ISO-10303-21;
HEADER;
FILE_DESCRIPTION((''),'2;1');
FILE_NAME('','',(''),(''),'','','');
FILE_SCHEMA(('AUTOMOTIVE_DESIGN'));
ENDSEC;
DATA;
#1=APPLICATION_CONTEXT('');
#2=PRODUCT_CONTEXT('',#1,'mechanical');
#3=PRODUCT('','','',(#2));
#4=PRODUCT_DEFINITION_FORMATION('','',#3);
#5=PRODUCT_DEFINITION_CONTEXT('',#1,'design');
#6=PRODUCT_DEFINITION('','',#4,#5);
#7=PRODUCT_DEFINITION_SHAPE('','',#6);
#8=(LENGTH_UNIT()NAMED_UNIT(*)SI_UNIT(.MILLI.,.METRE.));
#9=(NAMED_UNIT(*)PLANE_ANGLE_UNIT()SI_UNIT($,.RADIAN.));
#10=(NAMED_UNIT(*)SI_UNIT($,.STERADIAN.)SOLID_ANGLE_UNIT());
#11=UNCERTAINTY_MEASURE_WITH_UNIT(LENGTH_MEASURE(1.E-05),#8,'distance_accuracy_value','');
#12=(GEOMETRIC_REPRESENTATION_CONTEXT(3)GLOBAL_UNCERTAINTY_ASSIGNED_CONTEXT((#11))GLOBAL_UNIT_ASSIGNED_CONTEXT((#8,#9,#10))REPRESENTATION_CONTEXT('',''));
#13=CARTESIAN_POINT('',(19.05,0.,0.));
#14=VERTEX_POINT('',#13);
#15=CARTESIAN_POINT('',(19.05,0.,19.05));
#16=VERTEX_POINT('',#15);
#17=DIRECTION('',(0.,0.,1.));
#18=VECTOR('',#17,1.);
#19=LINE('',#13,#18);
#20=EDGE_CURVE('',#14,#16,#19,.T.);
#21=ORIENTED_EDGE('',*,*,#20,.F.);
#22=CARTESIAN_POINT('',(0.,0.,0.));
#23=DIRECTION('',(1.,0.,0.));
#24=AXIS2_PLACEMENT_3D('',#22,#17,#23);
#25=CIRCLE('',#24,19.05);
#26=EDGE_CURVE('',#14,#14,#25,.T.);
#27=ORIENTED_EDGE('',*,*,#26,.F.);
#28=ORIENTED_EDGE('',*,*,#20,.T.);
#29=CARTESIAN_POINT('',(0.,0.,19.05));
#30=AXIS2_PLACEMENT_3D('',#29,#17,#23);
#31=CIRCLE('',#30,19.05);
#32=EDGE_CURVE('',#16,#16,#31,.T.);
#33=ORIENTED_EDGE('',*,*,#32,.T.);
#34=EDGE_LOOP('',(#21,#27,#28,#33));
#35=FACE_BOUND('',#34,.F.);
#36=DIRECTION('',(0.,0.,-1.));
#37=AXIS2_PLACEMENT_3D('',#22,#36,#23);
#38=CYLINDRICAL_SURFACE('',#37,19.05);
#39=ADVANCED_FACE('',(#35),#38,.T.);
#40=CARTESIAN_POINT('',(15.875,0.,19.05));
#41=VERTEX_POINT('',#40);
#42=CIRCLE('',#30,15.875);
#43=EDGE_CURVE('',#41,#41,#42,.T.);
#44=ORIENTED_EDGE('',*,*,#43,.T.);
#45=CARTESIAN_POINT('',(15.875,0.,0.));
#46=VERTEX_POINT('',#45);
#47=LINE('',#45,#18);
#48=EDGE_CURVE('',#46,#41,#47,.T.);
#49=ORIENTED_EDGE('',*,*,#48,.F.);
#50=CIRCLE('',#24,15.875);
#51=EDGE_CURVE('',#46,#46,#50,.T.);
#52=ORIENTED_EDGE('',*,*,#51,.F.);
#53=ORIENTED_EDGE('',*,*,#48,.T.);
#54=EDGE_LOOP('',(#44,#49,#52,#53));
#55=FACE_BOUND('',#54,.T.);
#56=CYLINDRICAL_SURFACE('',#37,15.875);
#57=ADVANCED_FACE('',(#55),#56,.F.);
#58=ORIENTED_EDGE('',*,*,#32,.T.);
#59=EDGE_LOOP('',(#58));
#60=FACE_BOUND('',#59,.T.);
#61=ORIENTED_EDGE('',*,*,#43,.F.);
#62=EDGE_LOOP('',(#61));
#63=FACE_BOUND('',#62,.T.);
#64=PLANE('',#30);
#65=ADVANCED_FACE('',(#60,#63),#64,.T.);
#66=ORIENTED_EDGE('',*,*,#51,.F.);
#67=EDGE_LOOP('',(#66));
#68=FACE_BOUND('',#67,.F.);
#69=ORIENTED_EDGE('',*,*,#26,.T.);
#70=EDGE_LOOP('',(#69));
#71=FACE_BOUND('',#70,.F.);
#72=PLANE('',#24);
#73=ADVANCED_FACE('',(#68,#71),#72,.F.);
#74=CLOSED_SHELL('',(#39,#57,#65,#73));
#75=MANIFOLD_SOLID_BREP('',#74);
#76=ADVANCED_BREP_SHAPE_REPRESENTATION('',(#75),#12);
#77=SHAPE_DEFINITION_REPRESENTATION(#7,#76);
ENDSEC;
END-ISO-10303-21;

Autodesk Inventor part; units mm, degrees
ref_plane "YZ Plane" through (0, 0, 0) normal (1, 0, 0) x (0, 1, 0)
ref_plane "XZ Plane" through (0, 0, 0) normal (0, 1, 0) x (-1, 0, 0)
ref_plane "XY Plane" through (0, 0, 0) normal (0, 0, 1) x (1, 0, 0)
sketch "Sketch1" plane through (0, 0, 0) normal (0, 0, 1) x (1, 0, 0)
  circle A0 centre (0, 0) radius 15.875 projected
  circle A1 centre (0, 0) radius 19.05
  point P0 (0, 0)
  dimension "d0" = 38.1
extrude "Extrusion1" add sketch "Sketch1" along normal blind 19.05
properties part number "middleFlange" material "Polycarbonate, Clear"
